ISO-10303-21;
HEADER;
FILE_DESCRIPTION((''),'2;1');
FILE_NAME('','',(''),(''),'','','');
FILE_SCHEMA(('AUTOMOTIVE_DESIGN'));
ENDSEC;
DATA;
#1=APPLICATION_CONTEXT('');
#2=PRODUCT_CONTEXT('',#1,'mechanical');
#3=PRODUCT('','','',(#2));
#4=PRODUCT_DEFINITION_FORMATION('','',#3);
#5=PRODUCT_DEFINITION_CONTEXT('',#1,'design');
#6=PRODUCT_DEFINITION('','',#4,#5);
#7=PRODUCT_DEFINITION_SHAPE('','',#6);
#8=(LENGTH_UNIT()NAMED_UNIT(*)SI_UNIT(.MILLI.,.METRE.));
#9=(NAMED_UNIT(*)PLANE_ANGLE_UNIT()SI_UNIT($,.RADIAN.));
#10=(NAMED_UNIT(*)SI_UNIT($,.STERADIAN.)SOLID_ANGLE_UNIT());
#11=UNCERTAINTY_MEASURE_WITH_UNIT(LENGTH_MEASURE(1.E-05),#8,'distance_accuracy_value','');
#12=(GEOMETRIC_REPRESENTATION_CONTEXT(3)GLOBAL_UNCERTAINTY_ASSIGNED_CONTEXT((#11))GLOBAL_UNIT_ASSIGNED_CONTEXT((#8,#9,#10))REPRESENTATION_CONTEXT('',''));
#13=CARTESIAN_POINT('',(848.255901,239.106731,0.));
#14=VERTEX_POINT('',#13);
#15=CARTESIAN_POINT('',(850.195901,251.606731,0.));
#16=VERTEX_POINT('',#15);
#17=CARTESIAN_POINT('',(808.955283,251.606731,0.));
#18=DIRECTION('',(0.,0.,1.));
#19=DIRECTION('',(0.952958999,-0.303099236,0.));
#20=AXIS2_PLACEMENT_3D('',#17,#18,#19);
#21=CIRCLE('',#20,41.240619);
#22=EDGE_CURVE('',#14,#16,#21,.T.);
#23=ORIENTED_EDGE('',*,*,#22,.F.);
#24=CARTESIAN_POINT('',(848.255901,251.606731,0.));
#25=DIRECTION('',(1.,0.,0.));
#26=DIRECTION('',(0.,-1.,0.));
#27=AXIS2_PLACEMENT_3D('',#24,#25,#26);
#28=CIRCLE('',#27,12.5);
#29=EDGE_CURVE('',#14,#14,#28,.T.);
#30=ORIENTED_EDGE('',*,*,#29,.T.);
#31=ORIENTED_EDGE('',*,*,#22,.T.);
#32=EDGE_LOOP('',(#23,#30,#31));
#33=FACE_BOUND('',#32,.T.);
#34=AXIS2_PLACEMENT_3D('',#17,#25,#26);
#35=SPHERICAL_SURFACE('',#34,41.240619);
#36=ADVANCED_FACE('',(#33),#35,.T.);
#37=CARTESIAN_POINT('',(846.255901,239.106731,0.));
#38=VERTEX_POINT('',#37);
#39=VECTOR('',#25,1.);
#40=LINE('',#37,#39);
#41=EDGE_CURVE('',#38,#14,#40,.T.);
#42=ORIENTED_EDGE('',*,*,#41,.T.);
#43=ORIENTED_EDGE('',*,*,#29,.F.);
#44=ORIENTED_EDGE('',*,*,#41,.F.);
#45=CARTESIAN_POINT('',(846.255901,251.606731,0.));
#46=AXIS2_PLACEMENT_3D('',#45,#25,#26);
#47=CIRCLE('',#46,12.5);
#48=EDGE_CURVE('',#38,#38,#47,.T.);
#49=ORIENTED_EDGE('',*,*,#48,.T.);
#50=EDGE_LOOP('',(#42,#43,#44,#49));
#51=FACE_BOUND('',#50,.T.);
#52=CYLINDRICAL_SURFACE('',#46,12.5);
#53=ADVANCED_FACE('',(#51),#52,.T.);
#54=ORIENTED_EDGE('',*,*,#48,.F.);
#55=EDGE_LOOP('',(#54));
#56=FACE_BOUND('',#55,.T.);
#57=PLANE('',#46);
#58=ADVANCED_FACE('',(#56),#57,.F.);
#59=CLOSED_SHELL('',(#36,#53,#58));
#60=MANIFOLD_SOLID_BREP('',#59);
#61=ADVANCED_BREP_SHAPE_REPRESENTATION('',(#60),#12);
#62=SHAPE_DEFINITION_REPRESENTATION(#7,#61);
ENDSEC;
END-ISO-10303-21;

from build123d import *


with BuildPart() as part:
    # 草图1 → 旋转2 (revolve)
    with BuildSketch(Plane.XY, mode=Mode.PRIVATE) as revolve_2_sk:
        with BuildLine():
            Line((850.195901324, 251.606730537), (846.255901324, 251.606730537))
            Line((846.255901324, 251.606730537), (846.255901324, 264.106730537))
            Line((846.255901324, 264.106730537), (848.255901324, 264.106730537))
            ThreePointArc((848.255901324, 264.106730537), (849.708015423, 257.931554645), (850.195901324, 251.606730537))
        make_face()
    revolve(revolve_2_sk.sketch.rotate(Axis((843.890285421, 251.606730537, 0), (1, 0, 0)), 180), axis=Axis((843.890285421, 251.606730537, 0), (1, 0, 0)))  # turned: the seam where the file's is


solid = part.part
